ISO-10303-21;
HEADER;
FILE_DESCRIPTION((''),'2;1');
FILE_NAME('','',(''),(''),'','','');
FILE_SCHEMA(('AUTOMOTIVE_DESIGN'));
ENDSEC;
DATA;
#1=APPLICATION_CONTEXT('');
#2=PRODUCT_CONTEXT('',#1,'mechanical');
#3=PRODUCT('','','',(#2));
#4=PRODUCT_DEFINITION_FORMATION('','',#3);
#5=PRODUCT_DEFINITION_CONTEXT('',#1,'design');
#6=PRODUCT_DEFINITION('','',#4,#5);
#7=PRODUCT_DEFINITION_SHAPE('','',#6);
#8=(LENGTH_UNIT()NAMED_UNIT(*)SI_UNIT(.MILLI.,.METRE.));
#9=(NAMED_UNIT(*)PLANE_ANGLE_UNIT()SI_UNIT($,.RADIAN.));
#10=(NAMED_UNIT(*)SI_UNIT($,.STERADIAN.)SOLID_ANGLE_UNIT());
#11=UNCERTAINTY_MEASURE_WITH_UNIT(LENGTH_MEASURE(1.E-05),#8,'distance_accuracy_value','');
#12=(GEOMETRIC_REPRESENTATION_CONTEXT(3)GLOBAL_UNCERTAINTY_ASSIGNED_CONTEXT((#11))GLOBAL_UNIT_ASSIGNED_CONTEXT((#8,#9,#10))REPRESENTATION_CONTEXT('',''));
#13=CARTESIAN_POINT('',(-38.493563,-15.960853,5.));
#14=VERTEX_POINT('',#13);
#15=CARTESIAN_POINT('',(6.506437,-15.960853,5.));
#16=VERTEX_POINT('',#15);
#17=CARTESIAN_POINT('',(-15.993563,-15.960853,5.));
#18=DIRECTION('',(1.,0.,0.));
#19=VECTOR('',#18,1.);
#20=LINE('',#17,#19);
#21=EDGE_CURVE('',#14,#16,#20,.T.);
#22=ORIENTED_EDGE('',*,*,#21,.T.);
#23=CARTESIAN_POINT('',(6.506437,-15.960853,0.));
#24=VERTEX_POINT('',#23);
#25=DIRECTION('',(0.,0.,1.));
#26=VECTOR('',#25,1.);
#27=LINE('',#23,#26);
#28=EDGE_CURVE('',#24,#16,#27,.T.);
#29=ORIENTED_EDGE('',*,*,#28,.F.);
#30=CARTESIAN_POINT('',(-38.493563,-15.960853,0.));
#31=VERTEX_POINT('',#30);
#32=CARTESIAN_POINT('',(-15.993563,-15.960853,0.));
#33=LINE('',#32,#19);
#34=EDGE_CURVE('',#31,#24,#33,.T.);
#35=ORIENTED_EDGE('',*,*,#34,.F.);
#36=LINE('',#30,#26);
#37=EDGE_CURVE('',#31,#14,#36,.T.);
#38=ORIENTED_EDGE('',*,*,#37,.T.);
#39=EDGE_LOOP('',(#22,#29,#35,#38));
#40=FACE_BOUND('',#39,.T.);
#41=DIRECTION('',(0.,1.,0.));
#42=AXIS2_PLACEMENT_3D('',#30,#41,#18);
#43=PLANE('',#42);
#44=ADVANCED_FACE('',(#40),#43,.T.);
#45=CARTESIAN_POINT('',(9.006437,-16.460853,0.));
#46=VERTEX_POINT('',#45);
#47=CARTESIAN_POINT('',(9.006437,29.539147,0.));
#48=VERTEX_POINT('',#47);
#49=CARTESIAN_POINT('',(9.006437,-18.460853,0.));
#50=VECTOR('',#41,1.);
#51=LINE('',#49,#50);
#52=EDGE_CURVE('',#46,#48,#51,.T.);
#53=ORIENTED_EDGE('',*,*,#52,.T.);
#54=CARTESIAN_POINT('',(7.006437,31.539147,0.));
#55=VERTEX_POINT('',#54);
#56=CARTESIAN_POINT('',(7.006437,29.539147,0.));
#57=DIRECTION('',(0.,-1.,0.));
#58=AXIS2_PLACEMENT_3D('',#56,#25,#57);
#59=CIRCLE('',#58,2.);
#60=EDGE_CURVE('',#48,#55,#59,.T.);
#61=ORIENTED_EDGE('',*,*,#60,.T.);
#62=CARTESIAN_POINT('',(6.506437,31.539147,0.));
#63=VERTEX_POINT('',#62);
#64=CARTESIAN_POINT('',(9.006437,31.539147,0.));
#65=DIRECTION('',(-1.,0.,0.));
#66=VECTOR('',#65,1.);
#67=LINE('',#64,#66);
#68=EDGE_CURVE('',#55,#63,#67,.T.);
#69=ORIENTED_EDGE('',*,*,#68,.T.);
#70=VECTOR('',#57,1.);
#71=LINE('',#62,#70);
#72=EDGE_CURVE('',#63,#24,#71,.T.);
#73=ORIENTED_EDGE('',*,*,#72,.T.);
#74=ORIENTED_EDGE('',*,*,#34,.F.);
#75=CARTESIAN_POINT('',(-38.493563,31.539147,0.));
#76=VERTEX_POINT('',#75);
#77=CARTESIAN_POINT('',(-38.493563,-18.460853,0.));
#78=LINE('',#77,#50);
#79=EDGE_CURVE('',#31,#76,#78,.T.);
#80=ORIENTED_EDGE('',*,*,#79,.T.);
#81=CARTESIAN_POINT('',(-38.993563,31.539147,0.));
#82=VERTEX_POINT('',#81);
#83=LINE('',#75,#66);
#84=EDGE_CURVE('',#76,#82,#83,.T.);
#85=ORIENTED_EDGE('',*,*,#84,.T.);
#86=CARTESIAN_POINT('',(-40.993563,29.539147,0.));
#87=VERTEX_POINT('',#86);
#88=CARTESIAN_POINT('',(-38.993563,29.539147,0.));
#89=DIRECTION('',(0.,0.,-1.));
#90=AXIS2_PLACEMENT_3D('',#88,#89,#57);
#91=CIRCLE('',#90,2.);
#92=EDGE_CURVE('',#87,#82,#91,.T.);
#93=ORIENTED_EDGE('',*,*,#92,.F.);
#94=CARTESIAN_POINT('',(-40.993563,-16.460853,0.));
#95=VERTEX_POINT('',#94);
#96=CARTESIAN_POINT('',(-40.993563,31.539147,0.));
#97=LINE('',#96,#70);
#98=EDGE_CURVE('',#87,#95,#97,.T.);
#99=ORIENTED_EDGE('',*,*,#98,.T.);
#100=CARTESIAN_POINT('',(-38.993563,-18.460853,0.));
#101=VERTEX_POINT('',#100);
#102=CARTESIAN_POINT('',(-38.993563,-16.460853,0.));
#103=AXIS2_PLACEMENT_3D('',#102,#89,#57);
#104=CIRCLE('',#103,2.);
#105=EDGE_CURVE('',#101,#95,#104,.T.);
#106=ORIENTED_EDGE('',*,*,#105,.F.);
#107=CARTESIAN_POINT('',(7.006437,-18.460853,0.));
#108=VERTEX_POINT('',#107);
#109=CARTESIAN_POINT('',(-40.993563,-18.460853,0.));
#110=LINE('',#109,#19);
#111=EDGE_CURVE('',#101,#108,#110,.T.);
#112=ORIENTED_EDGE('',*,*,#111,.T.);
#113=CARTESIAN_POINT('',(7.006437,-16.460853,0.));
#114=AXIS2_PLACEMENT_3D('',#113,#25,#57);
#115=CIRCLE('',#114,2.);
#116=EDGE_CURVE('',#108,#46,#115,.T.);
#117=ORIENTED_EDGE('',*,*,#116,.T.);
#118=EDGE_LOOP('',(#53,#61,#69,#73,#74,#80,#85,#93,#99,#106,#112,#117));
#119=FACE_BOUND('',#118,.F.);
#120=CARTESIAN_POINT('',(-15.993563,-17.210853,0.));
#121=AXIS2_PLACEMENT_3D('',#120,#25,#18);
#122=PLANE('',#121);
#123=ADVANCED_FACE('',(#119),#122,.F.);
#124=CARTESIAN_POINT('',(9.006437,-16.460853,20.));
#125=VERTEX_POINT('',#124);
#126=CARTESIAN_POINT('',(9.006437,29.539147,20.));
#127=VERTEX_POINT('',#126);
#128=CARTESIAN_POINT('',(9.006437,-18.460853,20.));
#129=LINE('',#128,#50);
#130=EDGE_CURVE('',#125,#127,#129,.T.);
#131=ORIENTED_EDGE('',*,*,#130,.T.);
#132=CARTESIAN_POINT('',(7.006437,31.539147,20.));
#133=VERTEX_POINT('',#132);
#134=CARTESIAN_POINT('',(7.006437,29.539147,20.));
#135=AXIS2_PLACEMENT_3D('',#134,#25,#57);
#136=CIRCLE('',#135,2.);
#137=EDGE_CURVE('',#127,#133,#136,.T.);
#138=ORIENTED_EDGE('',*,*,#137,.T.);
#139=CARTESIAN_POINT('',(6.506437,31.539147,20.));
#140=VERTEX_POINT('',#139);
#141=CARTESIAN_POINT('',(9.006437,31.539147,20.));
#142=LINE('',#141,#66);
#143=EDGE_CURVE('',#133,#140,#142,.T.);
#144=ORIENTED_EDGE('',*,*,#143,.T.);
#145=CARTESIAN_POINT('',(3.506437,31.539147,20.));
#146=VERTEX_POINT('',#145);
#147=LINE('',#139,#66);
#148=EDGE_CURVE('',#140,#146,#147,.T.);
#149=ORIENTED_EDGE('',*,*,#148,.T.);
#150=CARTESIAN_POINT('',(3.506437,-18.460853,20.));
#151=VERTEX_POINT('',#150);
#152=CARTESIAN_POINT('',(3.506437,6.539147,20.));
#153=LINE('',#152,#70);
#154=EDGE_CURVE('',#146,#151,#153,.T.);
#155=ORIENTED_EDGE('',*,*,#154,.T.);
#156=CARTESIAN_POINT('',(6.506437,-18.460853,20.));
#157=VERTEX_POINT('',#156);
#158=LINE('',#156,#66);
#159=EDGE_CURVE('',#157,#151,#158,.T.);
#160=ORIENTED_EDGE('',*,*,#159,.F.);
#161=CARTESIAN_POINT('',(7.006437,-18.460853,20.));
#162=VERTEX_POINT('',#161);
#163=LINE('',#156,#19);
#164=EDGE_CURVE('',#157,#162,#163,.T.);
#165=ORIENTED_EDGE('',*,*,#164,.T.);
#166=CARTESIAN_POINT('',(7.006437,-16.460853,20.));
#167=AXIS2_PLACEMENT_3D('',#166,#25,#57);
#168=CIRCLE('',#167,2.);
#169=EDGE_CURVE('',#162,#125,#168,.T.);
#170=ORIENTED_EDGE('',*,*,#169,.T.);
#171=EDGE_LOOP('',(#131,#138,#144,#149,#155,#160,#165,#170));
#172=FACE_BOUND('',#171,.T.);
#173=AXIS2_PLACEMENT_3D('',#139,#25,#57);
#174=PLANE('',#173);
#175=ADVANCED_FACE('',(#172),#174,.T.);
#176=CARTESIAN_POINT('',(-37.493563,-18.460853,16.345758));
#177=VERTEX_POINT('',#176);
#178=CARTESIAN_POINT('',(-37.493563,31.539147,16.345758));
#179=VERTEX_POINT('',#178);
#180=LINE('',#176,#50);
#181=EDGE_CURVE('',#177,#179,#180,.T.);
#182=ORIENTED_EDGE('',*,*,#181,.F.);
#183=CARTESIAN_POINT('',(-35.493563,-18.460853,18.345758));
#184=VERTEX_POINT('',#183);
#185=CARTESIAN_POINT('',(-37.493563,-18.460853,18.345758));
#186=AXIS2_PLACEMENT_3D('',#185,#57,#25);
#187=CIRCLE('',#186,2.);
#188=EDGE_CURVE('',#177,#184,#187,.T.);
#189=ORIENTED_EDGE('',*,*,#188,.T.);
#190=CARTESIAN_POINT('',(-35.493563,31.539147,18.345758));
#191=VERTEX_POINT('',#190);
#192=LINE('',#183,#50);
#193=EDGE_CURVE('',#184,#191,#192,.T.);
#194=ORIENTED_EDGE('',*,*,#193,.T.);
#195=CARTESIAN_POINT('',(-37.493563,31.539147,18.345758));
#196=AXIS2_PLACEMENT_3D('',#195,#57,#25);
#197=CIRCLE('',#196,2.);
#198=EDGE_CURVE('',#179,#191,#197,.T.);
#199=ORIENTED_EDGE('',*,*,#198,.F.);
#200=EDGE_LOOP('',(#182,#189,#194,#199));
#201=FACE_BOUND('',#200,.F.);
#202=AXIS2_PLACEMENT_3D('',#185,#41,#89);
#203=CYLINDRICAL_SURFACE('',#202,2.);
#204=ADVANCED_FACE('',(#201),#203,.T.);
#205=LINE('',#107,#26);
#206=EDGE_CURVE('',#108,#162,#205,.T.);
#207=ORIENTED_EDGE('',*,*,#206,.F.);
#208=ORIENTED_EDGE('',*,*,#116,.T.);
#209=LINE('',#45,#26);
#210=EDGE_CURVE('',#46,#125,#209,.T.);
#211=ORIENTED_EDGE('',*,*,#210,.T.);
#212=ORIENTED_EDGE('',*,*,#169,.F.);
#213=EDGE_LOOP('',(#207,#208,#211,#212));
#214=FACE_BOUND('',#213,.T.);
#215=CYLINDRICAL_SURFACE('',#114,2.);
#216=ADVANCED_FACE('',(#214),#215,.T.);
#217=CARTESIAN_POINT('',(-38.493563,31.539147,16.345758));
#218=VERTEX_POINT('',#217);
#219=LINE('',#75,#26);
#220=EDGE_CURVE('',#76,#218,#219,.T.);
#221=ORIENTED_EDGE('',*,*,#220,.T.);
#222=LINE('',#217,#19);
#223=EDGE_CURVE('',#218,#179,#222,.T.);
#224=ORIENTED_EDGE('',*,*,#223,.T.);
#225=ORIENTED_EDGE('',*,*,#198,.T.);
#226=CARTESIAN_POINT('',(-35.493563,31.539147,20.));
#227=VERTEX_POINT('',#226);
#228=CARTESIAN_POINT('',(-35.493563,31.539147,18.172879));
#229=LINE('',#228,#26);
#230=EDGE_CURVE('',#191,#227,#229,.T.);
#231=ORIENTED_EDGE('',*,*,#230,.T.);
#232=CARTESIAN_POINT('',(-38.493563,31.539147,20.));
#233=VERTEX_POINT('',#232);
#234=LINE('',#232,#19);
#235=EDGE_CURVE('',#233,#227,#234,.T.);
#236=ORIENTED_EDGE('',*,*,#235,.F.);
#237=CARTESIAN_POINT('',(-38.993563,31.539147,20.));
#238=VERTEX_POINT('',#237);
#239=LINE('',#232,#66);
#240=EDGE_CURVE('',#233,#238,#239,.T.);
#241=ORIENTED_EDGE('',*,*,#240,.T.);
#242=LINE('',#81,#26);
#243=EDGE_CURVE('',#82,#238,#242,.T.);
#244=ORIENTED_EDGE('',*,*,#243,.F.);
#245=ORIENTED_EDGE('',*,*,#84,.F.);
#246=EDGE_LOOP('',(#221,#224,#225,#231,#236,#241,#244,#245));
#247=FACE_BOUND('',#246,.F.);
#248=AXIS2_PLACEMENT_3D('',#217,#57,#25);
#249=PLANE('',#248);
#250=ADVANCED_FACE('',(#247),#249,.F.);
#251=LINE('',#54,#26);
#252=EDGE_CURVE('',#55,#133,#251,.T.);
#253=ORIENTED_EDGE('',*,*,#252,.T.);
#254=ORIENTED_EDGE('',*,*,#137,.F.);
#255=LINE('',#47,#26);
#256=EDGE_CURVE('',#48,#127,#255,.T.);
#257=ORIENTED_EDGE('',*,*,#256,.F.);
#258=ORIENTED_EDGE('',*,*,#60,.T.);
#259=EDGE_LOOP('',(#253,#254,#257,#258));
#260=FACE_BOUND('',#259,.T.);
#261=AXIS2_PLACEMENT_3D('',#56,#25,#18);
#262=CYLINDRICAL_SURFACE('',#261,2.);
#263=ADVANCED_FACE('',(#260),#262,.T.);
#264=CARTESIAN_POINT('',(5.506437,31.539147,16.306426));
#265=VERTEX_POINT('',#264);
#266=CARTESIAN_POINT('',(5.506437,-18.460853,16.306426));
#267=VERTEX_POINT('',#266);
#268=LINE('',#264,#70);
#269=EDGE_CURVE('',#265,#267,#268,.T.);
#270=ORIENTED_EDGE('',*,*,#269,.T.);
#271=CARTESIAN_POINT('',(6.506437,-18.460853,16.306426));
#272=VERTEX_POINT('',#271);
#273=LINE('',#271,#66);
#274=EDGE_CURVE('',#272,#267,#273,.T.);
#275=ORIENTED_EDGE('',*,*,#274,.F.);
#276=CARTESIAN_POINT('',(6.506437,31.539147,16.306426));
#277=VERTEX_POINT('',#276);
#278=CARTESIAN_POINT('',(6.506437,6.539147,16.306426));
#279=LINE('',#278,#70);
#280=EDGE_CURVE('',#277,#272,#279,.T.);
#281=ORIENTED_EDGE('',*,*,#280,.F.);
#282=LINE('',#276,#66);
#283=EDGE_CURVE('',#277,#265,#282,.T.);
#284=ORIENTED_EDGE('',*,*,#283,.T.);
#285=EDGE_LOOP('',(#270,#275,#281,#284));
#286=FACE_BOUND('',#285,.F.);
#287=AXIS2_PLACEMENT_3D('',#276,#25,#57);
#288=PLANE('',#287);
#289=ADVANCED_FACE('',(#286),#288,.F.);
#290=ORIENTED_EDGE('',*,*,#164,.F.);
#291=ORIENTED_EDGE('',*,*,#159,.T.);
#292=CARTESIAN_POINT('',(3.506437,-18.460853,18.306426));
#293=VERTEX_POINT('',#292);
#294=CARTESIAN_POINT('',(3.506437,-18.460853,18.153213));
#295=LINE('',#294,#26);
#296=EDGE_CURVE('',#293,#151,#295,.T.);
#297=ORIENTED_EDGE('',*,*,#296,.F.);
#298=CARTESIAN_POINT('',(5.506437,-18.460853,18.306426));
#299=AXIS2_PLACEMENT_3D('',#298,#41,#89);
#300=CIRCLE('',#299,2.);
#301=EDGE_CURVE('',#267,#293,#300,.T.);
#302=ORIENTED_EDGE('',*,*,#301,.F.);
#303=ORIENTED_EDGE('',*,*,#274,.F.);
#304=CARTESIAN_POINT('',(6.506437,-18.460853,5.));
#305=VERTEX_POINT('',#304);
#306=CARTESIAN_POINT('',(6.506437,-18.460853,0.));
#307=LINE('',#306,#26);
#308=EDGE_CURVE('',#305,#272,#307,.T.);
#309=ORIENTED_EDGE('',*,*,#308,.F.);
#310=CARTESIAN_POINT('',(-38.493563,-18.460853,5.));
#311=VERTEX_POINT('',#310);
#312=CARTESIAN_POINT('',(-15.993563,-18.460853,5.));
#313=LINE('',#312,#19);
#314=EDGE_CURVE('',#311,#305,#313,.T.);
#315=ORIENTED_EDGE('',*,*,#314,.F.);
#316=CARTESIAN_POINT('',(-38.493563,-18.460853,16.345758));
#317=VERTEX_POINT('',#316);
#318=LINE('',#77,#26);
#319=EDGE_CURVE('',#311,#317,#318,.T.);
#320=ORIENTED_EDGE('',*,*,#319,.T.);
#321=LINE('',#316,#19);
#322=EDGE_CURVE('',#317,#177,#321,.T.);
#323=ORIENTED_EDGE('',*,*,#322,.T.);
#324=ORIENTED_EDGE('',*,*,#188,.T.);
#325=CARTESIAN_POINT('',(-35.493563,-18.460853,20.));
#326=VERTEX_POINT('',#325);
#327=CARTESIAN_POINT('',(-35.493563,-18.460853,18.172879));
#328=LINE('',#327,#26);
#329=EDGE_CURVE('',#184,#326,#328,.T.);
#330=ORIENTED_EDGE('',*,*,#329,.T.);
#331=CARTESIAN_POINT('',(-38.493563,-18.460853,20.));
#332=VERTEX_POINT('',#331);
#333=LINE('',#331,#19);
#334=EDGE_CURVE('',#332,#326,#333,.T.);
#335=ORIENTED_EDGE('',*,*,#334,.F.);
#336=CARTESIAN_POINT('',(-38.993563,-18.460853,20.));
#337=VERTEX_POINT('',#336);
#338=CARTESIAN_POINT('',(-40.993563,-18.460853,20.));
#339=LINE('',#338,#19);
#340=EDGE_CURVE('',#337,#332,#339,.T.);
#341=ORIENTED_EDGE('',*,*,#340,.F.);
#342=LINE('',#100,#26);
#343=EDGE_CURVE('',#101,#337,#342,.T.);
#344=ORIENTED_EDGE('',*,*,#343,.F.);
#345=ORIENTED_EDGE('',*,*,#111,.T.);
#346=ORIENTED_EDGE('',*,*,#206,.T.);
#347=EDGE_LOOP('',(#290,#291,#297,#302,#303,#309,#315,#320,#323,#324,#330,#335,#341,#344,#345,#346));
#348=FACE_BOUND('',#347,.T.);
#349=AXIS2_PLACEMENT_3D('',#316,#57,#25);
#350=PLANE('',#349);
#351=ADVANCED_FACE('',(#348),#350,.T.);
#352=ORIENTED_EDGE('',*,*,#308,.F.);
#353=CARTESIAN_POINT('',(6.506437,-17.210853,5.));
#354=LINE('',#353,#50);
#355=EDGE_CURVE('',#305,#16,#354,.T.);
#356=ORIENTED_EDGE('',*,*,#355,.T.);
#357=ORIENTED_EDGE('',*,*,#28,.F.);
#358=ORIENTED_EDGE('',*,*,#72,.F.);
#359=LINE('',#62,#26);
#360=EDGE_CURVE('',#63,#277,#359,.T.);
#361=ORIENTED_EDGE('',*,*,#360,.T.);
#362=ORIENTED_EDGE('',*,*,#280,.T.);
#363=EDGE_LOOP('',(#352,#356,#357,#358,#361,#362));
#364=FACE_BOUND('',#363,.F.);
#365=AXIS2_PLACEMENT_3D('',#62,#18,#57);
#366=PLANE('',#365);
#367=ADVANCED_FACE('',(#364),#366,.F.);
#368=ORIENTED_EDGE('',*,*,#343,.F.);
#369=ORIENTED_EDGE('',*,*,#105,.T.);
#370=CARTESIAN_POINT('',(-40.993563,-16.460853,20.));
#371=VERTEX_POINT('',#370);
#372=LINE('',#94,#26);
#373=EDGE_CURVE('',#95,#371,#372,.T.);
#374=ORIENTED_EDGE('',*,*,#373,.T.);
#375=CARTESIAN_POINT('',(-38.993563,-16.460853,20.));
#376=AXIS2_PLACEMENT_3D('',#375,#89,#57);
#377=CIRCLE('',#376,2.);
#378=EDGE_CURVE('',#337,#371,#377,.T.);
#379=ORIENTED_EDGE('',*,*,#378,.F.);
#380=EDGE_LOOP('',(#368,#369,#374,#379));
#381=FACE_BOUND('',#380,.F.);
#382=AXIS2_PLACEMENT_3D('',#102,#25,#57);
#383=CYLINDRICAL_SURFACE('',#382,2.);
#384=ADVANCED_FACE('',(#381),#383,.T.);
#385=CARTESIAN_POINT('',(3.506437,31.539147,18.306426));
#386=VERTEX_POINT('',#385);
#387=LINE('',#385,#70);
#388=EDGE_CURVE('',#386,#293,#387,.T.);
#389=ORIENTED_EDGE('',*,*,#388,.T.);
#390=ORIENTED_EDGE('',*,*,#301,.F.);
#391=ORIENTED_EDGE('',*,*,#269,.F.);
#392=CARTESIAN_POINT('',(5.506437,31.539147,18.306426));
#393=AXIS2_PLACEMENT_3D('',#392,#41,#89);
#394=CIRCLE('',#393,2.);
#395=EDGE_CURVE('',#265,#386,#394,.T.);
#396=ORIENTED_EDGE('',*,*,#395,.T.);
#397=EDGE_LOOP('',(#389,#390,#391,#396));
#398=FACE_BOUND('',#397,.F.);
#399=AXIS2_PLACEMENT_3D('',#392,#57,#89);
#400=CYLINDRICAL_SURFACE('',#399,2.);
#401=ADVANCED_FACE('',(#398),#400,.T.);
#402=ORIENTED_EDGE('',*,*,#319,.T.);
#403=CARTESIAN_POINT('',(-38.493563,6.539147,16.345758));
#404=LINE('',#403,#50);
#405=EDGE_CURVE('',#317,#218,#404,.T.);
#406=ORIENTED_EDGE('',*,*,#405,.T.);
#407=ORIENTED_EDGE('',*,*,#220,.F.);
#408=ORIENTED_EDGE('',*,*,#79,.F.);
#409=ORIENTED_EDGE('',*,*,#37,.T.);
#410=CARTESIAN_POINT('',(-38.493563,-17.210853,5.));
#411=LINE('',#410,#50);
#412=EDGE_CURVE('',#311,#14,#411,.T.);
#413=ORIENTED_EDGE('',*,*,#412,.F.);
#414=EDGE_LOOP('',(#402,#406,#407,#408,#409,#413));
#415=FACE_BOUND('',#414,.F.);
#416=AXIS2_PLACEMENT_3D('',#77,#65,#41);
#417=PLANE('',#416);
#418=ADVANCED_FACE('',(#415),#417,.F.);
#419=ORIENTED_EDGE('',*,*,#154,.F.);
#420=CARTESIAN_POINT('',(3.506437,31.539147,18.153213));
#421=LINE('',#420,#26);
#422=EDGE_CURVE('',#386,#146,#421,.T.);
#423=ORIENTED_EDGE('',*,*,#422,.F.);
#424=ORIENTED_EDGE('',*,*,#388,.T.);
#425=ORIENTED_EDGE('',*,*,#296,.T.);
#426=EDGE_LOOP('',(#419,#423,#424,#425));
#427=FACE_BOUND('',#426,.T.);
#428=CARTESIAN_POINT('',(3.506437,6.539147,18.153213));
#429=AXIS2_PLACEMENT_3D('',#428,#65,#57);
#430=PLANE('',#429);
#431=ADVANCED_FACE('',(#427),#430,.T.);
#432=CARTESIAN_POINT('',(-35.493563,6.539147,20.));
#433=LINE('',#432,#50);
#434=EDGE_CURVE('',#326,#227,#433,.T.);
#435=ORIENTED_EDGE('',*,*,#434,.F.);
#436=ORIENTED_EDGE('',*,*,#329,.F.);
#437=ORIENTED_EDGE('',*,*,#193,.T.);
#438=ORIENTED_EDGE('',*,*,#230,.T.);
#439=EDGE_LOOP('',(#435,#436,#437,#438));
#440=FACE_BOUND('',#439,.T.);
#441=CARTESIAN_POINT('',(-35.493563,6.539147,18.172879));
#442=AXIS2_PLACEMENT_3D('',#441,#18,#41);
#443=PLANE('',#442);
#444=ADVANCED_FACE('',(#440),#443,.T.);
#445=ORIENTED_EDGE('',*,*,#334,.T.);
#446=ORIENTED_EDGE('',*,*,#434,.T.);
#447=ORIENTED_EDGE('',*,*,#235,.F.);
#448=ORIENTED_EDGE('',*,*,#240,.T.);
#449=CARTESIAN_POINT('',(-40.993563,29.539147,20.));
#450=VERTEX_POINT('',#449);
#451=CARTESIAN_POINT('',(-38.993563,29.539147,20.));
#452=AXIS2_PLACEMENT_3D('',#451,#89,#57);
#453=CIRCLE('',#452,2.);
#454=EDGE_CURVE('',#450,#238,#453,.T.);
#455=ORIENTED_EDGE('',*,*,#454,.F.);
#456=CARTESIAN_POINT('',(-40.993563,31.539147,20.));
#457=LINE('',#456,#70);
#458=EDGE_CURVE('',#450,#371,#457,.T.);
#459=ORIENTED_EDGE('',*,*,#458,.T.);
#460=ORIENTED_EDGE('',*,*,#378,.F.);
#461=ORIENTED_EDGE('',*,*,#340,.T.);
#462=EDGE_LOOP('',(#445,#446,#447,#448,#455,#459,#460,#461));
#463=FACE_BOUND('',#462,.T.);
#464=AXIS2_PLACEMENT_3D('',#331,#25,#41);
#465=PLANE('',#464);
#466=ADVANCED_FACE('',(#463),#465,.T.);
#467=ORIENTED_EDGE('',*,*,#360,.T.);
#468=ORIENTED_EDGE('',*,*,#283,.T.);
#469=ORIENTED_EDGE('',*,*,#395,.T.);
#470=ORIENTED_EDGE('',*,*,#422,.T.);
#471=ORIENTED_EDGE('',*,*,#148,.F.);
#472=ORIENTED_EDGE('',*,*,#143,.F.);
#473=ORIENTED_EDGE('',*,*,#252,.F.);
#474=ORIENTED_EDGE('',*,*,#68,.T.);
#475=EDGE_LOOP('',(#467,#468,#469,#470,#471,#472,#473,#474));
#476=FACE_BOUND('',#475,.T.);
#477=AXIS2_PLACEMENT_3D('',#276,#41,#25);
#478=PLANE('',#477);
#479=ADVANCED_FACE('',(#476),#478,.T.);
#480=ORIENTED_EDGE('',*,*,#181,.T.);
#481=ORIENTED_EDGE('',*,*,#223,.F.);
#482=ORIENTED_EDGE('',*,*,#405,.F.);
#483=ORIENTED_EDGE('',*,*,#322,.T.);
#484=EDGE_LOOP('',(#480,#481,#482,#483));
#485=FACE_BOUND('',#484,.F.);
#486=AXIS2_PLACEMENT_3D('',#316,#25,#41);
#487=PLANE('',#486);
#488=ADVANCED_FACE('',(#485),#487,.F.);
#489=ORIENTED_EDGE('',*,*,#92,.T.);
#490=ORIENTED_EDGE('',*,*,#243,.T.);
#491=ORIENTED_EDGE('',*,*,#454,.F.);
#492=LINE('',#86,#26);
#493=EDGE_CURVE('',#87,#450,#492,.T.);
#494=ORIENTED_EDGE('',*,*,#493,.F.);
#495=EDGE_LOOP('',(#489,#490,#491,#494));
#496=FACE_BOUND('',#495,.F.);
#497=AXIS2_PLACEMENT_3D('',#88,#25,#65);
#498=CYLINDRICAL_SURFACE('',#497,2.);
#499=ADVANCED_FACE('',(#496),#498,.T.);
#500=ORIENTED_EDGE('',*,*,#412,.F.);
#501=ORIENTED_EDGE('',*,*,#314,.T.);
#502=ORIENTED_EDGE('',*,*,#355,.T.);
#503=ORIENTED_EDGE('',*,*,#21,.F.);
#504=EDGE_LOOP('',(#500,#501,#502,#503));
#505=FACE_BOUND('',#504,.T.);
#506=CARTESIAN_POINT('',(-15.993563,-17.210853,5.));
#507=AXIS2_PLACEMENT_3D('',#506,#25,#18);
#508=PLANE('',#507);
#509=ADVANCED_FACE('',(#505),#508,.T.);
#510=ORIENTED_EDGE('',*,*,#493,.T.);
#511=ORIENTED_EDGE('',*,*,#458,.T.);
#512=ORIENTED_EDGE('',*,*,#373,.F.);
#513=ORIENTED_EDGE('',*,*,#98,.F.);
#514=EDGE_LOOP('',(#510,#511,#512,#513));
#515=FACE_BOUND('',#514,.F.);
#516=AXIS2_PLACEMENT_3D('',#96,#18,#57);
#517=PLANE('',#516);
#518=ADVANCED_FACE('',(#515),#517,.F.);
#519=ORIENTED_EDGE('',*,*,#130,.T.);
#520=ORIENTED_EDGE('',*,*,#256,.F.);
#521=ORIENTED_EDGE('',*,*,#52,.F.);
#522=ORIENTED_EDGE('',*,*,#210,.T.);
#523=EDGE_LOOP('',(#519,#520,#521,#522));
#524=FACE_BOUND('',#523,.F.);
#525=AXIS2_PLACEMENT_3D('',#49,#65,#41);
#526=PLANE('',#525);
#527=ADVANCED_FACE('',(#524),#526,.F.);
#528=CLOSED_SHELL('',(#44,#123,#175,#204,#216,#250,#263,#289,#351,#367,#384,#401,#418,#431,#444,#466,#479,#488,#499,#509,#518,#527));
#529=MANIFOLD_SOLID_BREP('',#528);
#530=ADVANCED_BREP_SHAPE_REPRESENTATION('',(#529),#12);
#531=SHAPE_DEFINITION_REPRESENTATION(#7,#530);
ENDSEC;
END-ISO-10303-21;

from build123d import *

# Parameters (mm, degrees)
F1_DEPTH = 20
F0_W     = 45
F0_H     = 2.5
F2_DEPTH = 5
F3_W     = 50
F3_H     = 3.6935736239
F4_DEPTH = 3
F5_W     = 50
F5_H     = 3.6542420089
F6_DEPTH = 3
F7_R     = 2
F8_R     = 2


with BuildPart() as f1:
    # F0 (on Top) → F1 (new body)
    with BuildSketch(Plane.XY):
        Polygon((-38.4935630233, 31.5391468816), (-40.9935630233, 31.5391468816), (-40.9935630233, -18.4608531184), (-38.4935630233, -18.4608531184), (-38.4935630233, -15.9608531184), align=None)
    extrude(amount=F1_DEPTH)



with BuildPart() as f1b:
    # F0 (on Top) → F1, piece 2 (new body)
    with BuildSketch(Plane.XY):
        Polygon((6.5064369767, -15.9608531184), (6.5064369767, -18.4608531184), (9.0064369767, -18.4608531184), (9.0064369767, 31.5391468816), (6.5064369767, 31.5391468816), align=None)
    extrude(amount=F1_DEPTH)


with BuildPart() as f1_1:
    add(f1.part)

    add(f1b.part)  # F2 merges F1b
    # F0 (on Top) → F2 (join)
    with BuildSketch(Plane.XY):
        with Locations((-15.9935630233, -17.2108531184)):
            Rectangle(F0_W, F0_H)
    extrude(amount=F2_DEPTH)

    # F3 (on face) → F4 (join)
    with BuildSketch(Plane(origin=(6.5064369767, 0, 0), x_dir=(0, -1, 0), z_dir=(-1, 0, 0))):
        with Locations((-6.5391468816, 18.1532131881)):
            Rectangle(F3_W, F3_H)
    extrude(amount=F4_DEPTH)

    # F5 (on face) → F6 (join)
    with BuildSketch(Plane.YZ.offset(-38.4935630233)):
        with Locations((6.5391468816, 18.1728789955)):
            Rectangle(F5_W, F5_H)
    extrude(amount=F6_DEPTH)

    # F7
    f7_edges = [f1_1.edges().sort_by_distance(p)[0] for p in [
        (3.506437, 6.539147, 16.306426),
        (-35.493563, 6.539147, 16.345758),
    ]]
    fillet(f7_edges, radius=F7_R)

    # F8
    f8_edges = [f1_1.edges().sort_by_distance(p)[0] for p in [
        (-40.993563, -18.460853, 10),
        (9.006437, -18.460853, 10),
        (9.006437, 31.539147, 10),
        (-40.993563, 31.539147, 10),
    ]]
    fillet(f8_edges, radius=F8_R)


solid = f1_1.part
